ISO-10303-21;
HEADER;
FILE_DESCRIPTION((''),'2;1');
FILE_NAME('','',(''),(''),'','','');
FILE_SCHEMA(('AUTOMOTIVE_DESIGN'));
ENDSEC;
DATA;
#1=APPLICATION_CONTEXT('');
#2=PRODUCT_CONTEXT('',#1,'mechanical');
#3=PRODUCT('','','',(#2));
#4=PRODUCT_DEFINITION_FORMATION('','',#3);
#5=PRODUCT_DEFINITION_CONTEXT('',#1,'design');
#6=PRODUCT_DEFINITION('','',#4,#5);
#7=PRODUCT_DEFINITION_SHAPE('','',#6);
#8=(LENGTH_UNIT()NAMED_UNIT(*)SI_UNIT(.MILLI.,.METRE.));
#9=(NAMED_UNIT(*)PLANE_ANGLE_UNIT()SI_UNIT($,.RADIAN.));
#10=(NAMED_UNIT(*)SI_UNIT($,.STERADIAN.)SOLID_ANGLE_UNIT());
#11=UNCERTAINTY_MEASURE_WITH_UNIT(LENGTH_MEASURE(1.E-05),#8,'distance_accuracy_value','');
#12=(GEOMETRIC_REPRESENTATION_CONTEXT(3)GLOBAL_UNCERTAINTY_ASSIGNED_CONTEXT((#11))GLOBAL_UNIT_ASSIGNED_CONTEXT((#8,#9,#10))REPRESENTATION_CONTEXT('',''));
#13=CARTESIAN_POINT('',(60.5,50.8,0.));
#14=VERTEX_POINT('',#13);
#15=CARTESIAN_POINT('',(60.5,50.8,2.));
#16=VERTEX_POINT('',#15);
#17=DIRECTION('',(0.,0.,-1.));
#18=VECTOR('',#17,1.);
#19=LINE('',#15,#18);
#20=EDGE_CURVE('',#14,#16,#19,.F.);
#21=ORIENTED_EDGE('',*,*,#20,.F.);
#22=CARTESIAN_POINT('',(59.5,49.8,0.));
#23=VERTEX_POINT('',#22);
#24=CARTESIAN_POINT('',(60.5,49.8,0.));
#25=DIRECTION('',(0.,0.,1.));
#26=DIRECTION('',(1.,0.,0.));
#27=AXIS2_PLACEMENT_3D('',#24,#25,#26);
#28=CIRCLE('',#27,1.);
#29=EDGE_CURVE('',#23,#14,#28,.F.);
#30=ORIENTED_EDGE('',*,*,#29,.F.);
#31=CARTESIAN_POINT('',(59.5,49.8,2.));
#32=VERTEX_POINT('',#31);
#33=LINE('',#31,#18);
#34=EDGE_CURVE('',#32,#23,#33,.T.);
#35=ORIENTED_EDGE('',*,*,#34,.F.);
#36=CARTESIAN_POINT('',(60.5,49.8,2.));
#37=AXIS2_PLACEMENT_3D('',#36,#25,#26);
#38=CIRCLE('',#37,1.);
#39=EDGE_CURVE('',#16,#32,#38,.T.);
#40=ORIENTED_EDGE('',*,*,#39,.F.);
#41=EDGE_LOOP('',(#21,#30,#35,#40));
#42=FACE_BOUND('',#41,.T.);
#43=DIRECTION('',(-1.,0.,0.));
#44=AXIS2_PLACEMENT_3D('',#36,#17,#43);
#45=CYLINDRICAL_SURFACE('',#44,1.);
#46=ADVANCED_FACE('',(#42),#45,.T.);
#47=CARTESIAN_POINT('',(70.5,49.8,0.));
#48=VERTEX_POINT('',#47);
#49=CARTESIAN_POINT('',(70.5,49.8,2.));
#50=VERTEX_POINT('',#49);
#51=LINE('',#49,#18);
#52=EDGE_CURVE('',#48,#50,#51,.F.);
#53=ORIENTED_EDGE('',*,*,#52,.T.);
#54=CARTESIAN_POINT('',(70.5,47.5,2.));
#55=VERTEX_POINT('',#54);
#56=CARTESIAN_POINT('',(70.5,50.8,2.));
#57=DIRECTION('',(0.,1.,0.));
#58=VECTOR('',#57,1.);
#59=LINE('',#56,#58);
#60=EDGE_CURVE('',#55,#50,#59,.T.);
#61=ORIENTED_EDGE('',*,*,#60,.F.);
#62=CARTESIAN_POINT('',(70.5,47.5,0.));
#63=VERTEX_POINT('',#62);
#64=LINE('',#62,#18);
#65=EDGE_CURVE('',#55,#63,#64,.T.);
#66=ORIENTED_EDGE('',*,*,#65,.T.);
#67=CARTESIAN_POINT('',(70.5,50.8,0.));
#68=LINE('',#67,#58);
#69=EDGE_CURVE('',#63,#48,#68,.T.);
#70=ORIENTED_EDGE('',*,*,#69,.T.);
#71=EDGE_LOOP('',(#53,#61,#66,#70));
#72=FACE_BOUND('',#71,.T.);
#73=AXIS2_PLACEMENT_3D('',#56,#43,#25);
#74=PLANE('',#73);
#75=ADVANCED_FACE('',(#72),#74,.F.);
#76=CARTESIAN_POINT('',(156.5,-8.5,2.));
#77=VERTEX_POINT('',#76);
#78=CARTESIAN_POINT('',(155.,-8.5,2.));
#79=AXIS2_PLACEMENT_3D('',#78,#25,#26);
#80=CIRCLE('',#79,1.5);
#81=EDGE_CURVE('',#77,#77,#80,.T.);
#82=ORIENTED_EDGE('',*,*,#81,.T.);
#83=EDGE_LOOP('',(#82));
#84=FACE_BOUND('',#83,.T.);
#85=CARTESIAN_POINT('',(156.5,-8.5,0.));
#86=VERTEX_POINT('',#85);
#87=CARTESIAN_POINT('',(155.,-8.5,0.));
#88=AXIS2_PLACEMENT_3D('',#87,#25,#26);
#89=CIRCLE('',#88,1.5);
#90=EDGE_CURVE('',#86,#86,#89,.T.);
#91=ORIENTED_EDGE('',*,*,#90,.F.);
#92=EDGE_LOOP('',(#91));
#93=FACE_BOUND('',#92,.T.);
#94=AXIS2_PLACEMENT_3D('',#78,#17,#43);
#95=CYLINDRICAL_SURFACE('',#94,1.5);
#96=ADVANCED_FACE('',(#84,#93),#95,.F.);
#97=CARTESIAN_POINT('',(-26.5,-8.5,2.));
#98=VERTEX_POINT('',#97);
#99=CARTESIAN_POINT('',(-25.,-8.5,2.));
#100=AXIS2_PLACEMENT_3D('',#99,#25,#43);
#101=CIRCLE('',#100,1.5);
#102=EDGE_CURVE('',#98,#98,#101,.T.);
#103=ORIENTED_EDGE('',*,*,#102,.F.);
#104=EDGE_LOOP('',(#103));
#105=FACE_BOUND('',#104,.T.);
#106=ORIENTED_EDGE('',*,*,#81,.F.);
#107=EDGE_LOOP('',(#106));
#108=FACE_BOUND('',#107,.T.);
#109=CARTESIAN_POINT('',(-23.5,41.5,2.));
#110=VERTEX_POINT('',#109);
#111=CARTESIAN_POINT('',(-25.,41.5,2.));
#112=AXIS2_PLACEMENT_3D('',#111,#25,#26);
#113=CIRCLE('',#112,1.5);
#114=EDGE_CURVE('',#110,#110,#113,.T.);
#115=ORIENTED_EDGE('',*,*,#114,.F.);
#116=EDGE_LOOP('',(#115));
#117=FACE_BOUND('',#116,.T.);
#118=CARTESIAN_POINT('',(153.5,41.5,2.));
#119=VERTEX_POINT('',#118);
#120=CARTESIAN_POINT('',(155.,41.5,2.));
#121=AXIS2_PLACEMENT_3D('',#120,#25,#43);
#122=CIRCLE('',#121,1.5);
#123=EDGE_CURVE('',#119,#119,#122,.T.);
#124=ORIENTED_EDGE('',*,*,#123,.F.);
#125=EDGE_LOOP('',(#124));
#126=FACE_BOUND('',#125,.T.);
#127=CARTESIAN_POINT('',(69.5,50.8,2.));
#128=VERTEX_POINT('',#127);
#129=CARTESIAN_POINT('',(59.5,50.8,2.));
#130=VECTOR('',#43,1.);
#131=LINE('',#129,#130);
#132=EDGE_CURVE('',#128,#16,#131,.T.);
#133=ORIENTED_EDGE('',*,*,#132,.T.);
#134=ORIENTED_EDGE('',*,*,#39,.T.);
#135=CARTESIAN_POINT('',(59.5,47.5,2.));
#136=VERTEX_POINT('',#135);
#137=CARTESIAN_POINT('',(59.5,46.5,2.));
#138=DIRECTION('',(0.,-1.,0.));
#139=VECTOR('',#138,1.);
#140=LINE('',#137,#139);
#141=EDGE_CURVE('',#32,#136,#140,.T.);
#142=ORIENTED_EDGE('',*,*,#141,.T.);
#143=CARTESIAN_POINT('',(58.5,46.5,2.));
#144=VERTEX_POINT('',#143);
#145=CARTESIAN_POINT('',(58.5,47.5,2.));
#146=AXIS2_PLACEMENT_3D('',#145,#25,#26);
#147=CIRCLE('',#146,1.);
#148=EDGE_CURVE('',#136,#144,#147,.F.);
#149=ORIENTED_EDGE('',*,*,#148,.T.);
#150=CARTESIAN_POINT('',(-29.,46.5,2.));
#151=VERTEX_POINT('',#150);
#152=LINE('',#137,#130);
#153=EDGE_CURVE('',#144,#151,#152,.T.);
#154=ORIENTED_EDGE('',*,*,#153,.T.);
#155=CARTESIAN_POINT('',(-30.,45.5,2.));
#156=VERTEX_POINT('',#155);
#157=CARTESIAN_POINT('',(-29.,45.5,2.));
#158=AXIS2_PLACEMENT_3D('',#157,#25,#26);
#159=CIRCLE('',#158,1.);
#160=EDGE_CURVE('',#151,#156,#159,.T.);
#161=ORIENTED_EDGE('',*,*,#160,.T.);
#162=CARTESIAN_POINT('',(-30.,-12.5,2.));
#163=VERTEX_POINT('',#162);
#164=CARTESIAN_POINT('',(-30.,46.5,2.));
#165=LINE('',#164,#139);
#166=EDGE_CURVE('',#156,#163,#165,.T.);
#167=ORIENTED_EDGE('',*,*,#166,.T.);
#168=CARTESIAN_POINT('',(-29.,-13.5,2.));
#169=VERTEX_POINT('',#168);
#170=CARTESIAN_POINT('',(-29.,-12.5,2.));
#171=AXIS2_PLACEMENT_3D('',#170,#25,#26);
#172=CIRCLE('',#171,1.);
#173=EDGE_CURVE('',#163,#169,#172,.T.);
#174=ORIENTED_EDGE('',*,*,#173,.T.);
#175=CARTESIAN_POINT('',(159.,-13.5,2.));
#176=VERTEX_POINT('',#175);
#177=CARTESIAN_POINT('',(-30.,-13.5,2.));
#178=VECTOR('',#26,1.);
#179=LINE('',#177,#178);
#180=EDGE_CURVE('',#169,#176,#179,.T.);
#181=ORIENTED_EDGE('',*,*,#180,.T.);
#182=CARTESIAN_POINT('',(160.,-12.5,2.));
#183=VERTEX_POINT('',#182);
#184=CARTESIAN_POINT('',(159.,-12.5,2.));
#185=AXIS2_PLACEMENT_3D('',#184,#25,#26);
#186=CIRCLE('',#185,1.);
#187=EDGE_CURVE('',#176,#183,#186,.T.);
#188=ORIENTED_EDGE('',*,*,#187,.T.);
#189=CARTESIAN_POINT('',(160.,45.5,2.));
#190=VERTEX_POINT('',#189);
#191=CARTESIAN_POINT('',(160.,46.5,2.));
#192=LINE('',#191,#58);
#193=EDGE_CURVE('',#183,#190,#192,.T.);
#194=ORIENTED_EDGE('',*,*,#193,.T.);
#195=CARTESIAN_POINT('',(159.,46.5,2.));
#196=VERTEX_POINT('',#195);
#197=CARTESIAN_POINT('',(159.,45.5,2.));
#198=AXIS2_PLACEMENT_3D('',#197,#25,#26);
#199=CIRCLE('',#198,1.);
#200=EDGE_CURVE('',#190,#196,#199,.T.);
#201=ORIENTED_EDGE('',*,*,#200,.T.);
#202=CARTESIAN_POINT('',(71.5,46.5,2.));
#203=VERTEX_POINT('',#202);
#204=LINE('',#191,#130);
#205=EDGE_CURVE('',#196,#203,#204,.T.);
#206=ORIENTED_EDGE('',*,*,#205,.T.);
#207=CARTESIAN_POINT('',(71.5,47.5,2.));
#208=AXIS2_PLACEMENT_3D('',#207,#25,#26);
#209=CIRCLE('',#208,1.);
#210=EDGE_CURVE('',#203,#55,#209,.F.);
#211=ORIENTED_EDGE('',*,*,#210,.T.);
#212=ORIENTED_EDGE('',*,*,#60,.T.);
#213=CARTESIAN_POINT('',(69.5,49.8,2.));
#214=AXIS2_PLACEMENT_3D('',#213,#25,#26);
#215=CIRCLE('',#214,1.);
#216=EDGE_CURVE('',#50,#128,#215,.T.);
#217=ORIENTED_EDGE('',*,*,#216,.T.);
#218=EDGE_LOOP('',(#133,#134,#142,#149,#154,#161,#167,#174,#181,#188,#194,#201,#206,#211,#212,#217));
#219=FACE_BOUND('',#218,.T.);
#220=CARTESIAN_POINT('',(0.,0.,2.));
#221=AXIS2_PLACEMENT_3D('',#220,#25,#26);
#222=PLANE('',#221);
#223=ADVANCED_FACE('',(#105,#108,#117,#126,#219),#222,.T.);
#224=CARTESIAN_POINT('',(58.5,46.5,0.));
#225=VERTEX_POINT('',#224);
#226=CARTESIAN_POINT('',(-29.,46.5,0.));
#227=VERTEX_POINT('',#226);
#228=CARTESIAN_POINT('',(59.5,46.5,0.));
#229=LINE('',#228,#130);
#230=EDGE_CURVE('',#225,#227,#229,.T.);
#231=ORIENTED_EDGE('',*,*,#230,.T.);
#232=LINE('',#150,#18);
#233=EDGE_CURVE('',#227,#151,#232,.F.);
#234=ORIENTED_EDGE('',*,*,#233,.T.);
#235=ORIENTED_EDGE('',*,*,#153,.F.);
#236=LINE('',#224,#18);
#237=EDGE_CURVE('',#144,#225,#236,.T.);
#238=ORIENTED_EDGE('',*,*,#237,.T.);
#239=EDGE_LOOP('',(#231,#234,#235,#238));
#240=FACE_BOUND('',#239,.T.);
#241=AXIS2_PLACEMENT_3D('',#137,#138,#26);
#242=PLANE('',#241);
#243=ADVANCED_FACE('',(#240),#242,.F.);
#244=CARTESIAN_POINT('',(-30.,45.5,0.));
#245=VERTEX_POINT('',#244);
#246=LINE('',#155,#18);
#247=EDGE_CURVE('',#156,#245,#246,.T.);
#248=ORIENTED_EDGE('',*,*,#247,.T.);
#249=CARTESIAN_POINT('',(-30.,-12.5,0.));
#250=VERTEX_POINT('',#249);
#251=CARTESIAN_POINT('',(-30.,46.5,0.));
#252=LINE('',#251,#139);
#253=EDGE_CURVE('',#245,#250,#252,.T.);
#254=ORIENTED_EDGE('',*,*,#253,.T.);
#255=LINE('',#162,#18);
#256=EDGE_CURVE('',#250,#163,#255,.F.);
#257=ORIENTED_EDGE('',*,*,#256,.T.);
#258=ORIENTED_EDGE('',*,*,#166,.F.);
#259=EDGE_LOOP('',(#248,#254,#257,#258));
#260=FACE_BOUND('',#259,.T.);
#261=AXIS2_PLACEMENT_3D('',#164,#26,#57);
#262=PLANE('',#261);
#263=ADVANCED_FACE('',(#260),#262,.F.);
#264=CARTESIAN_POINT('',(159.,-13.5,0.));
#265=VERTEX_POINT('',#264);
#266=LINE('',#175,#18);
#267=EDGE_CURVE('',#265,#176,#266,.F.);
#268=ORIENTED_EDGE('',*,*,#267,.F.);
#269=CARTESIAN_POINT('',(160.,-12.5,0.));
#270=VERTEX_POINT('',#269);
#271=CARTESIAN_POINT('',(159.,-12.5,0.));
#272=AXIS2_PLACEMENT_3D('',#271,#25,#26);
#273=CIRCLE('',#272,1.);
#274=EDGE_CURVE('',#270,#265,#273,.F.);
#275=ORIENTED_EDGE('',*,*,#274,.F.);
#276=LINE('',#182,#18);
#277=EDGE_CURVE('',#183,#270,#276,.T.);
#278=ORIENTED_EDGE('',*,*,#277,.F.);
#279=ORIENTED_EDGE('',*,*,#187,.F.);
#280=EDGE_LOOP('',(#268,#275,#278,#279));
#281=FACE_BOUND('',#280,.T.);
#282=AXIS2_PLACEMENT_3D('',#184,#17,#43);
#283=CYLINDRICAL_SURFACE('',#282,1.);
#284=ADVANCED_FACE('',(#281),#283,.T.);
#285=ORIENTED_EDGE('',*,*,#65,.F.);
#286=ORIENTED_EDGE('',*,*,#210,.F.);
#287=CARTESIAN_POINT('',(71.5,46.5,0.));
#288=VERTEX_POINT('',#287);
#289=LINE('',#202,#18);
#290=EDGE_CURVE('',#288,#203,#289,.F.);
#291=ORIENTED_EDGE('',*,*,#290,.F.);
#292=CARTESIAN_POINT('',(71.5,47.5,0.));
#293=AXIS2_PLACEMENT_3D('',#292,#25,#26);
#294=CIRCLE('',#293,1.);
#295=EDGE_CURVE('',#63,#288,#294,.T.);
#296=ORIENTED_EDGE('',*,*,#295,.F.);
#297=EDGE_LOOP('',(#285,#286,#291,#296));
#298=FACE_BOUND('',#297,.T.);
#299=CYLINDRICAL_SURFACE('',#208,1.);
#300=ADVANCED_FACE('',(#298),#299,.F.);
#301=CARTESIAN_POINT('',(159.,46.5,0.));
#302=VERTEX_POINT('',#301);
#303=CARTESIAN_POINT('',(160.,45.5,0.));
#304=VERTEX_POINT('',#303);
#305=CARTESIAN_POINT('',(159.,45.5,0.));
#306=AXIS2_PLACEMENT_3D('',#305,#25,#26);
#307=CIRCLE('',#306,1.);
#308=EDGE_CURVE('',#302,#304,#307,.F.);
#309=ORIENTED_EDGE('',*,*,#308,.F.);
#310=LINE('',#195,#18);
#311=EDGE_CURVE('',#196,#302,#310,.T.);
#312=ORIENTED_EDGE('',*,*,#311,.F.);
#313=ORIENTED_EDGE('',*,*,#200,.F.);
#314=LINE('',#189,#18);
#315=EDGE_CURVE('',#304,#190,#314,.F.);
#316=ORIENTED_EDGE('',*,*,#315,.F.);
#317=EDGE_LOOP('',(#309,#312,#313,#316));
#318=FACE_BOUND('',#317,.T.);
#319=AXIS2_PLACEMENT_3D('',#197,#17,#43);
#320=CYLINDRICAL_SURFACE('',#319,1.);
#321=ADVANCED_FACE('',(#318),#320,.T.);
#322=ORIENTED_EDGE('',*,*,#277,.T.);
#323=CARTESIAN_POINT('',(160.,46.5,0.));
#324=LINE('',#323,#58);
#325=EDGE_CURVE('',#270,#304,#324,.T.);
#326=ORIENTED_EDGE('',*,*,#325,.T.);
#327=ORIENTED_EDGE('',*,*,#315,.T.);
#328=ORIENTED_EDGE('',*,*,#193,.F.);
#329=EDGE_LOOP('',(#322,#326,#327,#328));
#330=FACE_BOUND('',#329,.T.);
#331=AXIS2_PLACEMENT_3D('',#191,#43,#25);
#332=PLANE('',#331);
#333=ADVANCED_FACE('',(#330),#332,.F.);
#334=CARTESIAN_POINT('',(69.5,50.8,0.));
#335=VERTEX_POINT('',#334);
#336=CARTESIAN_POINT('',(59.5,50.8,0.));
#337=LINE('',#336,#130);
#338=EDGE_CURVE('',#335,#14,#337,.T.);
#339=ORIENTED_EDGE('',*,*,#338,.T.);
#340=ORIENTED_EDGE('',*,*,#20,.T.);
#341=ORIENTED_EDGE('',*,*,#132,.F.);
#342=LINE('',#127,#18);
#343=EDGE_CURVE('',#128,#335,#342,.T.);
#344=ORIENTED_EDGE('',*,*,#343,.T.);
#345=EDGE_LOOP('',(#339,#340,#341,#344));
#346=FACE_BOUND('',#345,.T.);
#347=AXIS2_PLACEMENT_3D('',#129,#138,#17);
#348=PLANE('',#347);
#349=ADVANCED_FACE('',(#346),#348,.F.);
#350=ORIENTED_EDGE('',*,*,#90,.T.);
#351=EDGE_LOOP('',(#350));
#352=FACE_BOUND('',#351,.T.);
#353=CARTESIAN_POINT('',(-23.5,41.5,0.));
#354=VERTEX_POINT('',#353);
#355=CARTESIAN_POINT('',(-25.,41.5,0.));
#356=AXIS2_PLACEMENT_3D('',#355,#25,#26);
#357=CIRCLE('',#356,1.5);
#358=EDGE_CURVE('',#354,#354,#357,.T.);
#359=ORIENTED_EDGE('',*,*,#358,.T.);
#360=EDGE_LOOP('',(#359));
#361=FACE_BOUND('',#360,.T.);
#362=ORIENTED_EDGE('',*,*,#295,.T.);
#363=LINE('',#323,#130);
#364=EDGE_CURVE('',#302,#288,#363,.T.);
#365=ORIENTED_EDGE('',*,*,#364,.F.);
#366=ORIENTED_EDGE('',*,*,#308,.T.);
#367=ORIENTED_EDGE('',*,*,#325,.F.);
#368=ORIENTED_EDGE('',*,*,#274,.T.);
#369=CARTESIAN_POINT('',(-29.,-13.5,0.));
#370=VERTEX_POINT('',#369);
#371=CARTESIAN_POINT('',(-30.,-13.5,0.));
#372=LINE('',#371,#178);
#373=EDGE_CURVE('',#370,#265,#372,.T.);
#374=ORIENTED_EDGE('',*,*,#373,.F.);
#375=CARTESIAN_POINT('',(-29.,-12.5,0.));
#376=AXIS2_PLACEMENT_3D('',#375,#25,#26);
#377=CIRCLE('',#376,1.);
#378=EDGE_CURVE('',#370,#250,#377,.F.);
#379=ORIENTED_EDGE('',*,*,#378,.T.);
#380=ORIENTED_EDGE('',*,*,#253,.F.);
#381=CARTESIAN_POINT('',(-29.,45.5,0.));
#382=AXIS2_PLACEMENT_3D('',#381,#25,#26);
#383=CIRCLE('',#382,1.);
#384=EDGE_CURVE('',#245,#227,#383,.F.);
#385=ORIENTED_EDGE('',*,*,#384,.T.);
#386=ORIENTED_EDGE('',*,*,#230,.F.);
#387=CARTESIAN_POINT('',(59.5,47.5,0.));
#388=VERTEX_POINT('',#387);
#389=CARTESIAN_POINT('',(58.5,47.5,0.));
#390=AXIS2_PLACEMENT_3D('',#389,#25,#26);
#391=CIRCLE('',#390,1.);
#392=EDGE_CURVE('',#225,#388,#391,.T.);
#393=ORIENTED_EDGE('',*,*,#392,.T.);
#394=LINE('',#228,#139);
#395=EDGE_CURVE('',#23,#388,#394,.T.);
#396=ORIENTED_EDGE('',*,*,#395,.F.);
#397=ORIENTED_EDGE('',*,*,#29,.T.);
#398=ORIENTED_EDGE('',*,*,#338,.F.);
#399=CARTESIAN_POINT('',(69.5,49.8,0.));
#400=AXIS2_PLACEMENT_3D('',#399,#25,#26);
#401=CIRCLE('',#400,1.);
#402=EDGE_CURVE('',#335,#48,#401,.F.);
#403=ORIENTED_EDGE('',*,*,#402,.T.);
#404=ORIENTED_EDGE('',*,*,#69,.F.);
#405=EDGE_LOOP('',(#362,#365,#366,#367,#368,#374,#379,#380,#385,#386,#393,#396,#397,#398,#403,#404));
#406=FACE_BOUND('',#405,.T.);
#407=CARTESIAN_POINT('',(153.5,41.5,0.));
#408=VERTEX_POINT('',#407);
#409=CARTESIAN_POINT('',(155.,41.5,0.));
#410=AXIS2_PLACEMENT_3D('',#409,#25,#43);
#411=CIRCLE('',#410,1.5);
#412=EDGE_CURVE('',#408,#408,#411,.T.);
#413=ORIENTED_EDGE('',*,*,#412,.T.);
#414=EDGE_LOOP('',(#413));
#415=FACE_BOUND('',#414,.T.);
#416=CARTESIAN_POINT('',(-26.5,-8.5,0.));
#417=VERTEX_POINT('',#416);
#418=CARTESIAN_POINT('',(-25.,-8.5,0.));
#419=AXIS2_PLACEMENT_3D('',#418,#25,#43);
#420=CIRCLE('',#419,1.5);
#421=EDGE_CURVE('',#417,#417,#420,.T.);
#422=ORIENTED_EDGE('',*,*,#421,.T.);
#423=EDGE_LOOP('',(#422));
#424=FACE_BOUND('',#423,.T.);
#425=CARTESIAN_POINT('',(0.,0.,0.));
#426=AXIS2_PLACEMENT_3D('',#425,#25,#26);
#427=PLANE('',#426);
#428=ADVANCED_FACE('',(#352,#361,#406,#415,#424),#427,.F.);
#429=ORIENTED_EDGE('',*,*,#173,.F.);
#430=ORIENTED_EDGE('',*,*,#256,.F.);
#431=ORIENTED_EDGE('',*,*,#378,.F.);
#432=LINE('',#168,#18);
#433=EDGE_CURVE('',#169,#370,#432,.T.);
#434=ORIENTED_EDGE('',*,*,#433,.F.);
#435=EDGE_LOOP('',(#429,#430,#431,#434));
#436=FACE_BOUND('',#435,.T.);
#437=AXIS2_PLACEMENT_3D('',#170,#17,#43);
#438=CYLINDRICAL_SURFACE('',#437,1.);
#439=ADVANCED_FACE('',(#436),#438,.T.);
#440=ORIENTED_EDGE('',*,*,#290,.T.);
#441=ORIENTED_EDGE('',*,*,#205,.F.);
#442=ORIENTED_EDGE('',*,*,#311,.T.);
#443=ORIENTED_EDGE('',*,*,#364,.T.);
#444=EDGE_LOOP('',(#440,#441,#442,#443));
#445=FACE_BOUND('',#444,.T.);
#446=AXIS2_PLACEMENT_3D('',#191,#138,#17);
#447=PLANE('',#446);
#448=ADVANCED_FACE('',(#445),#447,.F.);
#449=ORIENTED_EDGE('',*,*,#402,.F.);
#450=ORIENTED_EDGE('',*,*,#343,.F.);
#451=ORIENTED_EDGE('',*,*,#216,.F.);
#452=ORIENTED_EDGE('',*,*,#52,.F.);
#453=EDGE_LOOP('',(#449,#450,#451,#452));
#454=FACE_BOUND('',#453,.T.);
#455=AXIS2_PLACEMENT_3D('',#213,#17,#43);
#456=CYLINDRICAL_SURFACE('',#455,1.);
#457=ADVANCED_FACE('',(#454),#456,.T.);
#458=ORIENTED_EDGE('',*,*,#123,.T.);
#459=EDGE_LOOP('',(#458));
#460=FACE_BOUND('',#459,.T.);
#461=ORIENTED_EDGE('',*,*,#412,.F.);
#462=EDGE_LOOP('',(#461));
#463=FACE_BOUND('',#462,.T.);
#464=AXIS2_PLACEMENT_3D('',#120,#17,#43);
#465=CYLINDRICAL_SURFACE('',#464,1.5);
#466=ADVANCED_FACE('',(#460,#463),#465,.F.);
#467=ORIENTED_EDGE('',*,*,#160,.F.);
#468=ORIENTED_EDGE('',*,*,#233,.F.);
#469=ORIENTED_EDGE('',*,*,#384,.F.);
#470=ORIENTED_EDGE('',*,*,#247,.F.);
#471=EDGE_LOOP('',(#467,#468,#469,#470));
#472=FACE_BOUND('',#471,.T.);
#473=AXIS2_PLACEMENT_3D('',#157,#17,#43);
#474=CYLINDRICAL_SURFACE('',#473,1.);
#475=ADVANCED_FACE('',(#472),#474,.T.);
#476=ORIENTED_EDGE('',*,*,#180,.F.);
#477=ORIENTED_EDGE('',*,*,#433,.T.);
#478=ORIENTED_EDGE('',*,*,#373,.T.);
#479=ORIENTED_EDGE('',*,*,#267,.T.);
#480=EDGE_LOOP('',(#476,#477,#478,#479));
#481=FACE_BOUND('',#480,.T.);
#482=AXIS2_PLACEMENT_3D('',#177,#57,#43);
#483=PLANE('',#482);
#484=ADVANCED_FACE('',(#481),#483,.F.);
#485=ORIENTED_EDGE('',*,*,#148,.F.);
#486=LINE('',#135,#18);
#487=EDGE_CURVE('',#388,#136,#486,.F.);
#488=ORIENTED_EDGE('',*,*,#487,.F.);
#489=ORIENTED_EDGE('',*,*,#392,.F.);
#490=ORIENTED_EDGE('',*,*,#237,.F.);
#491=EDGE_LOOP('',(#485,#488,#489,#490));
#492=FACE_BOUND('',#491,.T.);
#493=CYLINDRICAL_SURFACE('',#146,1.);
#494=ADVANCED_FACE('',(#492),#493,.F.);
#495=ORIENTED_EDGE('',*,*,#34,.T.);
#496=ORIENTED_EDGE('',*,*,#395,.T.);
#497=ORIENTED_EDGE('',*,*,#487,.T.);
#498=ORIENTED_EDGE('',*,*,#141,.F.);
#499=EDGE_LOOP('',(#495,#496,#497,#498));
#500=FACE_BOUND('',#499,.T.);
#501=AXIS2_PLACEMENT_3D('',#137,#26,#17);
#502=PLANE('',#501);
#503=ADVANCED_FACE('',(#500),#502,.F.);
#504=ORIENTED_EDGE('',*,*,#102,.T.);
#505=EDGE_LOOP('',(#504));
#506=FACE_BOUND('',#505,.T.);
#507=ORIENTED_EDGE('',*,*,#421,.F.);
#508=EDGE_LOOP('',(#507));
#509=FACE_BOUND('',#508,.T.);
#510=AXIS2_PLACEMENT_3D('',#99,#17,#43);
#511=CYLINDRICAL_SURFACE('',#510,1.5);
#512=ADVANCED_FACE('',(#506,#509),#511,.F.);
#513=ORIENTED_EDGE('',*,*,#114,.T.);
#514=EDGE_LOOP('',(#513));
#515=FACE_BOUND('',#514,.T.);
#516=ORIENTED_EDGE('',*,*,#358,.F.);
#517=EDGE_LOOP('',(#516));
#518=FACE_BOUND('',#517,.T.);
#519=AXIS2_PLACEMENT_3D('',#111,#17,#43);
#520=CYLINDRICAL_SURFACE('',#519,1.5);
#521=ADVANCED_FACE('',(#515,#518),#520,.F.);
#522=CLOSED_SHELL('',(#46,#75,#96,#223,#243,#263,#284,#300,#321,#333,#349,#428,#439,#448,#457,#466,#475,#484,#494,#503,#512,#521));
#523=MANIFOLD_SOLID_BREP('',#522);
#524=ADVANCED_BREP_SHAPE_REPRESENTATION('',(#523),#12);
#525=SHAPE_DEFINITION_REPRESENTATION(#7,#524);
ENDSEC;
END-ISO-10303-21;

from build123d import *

# Parameters (mm, degrees)
SKETCH_1_R      = 1.5
EXTRUDE_1_DEPTH = 2
FILLET_1_R      = 1


with BuildPart() as part:
    # 草图1 → 凸台-拉伸1 (new body)
    with BuildSketch(Plane.XY):
        Polygon((160, 46.5), (70.5, 46.5), (70.5, 50.8), (59.5, 50.8), (59.5, 46.5), (-30, 46.5), (-30, -13.5), (160, -13.5), align=None)
        with Locations((-25, 41.5)):
            Circle(SKETCH_1_R, mode=Mode.SUBTRACT)
        with Locations((155, 41.5)):
            Circle(SKETCH_1_R, mode=Mode.SUBTRACT)
        with Locations((-25, -8.5)):
            Circle(SKETCH_1_R, mode=Mode.SUBTRACT)
        with Locations((155, -8.5)):
            Circle(SKETCH_1_R, mode=Mode.SUBTRACT)
    extrude(amount=EXTRUDE_1_DEPTH)

    # 圆角1
    fillet_1_edges = [part.edges().sort_by_distance(p)[0] for p in [
        (59.5, 46.5, 1),
        (59.5, 50.8, 1),
        (70.5, 50.8, 1),
        (70.5, 46.5, 1),
        (160, 46.5, 1),
        (160, -13.5, 1),
        (-30, -13.5, 1),
        (-30, 46.5, 1),
    ]]
    fillet(fillet_1_edges, radius=FILLET_1_R)


solid = part.part
